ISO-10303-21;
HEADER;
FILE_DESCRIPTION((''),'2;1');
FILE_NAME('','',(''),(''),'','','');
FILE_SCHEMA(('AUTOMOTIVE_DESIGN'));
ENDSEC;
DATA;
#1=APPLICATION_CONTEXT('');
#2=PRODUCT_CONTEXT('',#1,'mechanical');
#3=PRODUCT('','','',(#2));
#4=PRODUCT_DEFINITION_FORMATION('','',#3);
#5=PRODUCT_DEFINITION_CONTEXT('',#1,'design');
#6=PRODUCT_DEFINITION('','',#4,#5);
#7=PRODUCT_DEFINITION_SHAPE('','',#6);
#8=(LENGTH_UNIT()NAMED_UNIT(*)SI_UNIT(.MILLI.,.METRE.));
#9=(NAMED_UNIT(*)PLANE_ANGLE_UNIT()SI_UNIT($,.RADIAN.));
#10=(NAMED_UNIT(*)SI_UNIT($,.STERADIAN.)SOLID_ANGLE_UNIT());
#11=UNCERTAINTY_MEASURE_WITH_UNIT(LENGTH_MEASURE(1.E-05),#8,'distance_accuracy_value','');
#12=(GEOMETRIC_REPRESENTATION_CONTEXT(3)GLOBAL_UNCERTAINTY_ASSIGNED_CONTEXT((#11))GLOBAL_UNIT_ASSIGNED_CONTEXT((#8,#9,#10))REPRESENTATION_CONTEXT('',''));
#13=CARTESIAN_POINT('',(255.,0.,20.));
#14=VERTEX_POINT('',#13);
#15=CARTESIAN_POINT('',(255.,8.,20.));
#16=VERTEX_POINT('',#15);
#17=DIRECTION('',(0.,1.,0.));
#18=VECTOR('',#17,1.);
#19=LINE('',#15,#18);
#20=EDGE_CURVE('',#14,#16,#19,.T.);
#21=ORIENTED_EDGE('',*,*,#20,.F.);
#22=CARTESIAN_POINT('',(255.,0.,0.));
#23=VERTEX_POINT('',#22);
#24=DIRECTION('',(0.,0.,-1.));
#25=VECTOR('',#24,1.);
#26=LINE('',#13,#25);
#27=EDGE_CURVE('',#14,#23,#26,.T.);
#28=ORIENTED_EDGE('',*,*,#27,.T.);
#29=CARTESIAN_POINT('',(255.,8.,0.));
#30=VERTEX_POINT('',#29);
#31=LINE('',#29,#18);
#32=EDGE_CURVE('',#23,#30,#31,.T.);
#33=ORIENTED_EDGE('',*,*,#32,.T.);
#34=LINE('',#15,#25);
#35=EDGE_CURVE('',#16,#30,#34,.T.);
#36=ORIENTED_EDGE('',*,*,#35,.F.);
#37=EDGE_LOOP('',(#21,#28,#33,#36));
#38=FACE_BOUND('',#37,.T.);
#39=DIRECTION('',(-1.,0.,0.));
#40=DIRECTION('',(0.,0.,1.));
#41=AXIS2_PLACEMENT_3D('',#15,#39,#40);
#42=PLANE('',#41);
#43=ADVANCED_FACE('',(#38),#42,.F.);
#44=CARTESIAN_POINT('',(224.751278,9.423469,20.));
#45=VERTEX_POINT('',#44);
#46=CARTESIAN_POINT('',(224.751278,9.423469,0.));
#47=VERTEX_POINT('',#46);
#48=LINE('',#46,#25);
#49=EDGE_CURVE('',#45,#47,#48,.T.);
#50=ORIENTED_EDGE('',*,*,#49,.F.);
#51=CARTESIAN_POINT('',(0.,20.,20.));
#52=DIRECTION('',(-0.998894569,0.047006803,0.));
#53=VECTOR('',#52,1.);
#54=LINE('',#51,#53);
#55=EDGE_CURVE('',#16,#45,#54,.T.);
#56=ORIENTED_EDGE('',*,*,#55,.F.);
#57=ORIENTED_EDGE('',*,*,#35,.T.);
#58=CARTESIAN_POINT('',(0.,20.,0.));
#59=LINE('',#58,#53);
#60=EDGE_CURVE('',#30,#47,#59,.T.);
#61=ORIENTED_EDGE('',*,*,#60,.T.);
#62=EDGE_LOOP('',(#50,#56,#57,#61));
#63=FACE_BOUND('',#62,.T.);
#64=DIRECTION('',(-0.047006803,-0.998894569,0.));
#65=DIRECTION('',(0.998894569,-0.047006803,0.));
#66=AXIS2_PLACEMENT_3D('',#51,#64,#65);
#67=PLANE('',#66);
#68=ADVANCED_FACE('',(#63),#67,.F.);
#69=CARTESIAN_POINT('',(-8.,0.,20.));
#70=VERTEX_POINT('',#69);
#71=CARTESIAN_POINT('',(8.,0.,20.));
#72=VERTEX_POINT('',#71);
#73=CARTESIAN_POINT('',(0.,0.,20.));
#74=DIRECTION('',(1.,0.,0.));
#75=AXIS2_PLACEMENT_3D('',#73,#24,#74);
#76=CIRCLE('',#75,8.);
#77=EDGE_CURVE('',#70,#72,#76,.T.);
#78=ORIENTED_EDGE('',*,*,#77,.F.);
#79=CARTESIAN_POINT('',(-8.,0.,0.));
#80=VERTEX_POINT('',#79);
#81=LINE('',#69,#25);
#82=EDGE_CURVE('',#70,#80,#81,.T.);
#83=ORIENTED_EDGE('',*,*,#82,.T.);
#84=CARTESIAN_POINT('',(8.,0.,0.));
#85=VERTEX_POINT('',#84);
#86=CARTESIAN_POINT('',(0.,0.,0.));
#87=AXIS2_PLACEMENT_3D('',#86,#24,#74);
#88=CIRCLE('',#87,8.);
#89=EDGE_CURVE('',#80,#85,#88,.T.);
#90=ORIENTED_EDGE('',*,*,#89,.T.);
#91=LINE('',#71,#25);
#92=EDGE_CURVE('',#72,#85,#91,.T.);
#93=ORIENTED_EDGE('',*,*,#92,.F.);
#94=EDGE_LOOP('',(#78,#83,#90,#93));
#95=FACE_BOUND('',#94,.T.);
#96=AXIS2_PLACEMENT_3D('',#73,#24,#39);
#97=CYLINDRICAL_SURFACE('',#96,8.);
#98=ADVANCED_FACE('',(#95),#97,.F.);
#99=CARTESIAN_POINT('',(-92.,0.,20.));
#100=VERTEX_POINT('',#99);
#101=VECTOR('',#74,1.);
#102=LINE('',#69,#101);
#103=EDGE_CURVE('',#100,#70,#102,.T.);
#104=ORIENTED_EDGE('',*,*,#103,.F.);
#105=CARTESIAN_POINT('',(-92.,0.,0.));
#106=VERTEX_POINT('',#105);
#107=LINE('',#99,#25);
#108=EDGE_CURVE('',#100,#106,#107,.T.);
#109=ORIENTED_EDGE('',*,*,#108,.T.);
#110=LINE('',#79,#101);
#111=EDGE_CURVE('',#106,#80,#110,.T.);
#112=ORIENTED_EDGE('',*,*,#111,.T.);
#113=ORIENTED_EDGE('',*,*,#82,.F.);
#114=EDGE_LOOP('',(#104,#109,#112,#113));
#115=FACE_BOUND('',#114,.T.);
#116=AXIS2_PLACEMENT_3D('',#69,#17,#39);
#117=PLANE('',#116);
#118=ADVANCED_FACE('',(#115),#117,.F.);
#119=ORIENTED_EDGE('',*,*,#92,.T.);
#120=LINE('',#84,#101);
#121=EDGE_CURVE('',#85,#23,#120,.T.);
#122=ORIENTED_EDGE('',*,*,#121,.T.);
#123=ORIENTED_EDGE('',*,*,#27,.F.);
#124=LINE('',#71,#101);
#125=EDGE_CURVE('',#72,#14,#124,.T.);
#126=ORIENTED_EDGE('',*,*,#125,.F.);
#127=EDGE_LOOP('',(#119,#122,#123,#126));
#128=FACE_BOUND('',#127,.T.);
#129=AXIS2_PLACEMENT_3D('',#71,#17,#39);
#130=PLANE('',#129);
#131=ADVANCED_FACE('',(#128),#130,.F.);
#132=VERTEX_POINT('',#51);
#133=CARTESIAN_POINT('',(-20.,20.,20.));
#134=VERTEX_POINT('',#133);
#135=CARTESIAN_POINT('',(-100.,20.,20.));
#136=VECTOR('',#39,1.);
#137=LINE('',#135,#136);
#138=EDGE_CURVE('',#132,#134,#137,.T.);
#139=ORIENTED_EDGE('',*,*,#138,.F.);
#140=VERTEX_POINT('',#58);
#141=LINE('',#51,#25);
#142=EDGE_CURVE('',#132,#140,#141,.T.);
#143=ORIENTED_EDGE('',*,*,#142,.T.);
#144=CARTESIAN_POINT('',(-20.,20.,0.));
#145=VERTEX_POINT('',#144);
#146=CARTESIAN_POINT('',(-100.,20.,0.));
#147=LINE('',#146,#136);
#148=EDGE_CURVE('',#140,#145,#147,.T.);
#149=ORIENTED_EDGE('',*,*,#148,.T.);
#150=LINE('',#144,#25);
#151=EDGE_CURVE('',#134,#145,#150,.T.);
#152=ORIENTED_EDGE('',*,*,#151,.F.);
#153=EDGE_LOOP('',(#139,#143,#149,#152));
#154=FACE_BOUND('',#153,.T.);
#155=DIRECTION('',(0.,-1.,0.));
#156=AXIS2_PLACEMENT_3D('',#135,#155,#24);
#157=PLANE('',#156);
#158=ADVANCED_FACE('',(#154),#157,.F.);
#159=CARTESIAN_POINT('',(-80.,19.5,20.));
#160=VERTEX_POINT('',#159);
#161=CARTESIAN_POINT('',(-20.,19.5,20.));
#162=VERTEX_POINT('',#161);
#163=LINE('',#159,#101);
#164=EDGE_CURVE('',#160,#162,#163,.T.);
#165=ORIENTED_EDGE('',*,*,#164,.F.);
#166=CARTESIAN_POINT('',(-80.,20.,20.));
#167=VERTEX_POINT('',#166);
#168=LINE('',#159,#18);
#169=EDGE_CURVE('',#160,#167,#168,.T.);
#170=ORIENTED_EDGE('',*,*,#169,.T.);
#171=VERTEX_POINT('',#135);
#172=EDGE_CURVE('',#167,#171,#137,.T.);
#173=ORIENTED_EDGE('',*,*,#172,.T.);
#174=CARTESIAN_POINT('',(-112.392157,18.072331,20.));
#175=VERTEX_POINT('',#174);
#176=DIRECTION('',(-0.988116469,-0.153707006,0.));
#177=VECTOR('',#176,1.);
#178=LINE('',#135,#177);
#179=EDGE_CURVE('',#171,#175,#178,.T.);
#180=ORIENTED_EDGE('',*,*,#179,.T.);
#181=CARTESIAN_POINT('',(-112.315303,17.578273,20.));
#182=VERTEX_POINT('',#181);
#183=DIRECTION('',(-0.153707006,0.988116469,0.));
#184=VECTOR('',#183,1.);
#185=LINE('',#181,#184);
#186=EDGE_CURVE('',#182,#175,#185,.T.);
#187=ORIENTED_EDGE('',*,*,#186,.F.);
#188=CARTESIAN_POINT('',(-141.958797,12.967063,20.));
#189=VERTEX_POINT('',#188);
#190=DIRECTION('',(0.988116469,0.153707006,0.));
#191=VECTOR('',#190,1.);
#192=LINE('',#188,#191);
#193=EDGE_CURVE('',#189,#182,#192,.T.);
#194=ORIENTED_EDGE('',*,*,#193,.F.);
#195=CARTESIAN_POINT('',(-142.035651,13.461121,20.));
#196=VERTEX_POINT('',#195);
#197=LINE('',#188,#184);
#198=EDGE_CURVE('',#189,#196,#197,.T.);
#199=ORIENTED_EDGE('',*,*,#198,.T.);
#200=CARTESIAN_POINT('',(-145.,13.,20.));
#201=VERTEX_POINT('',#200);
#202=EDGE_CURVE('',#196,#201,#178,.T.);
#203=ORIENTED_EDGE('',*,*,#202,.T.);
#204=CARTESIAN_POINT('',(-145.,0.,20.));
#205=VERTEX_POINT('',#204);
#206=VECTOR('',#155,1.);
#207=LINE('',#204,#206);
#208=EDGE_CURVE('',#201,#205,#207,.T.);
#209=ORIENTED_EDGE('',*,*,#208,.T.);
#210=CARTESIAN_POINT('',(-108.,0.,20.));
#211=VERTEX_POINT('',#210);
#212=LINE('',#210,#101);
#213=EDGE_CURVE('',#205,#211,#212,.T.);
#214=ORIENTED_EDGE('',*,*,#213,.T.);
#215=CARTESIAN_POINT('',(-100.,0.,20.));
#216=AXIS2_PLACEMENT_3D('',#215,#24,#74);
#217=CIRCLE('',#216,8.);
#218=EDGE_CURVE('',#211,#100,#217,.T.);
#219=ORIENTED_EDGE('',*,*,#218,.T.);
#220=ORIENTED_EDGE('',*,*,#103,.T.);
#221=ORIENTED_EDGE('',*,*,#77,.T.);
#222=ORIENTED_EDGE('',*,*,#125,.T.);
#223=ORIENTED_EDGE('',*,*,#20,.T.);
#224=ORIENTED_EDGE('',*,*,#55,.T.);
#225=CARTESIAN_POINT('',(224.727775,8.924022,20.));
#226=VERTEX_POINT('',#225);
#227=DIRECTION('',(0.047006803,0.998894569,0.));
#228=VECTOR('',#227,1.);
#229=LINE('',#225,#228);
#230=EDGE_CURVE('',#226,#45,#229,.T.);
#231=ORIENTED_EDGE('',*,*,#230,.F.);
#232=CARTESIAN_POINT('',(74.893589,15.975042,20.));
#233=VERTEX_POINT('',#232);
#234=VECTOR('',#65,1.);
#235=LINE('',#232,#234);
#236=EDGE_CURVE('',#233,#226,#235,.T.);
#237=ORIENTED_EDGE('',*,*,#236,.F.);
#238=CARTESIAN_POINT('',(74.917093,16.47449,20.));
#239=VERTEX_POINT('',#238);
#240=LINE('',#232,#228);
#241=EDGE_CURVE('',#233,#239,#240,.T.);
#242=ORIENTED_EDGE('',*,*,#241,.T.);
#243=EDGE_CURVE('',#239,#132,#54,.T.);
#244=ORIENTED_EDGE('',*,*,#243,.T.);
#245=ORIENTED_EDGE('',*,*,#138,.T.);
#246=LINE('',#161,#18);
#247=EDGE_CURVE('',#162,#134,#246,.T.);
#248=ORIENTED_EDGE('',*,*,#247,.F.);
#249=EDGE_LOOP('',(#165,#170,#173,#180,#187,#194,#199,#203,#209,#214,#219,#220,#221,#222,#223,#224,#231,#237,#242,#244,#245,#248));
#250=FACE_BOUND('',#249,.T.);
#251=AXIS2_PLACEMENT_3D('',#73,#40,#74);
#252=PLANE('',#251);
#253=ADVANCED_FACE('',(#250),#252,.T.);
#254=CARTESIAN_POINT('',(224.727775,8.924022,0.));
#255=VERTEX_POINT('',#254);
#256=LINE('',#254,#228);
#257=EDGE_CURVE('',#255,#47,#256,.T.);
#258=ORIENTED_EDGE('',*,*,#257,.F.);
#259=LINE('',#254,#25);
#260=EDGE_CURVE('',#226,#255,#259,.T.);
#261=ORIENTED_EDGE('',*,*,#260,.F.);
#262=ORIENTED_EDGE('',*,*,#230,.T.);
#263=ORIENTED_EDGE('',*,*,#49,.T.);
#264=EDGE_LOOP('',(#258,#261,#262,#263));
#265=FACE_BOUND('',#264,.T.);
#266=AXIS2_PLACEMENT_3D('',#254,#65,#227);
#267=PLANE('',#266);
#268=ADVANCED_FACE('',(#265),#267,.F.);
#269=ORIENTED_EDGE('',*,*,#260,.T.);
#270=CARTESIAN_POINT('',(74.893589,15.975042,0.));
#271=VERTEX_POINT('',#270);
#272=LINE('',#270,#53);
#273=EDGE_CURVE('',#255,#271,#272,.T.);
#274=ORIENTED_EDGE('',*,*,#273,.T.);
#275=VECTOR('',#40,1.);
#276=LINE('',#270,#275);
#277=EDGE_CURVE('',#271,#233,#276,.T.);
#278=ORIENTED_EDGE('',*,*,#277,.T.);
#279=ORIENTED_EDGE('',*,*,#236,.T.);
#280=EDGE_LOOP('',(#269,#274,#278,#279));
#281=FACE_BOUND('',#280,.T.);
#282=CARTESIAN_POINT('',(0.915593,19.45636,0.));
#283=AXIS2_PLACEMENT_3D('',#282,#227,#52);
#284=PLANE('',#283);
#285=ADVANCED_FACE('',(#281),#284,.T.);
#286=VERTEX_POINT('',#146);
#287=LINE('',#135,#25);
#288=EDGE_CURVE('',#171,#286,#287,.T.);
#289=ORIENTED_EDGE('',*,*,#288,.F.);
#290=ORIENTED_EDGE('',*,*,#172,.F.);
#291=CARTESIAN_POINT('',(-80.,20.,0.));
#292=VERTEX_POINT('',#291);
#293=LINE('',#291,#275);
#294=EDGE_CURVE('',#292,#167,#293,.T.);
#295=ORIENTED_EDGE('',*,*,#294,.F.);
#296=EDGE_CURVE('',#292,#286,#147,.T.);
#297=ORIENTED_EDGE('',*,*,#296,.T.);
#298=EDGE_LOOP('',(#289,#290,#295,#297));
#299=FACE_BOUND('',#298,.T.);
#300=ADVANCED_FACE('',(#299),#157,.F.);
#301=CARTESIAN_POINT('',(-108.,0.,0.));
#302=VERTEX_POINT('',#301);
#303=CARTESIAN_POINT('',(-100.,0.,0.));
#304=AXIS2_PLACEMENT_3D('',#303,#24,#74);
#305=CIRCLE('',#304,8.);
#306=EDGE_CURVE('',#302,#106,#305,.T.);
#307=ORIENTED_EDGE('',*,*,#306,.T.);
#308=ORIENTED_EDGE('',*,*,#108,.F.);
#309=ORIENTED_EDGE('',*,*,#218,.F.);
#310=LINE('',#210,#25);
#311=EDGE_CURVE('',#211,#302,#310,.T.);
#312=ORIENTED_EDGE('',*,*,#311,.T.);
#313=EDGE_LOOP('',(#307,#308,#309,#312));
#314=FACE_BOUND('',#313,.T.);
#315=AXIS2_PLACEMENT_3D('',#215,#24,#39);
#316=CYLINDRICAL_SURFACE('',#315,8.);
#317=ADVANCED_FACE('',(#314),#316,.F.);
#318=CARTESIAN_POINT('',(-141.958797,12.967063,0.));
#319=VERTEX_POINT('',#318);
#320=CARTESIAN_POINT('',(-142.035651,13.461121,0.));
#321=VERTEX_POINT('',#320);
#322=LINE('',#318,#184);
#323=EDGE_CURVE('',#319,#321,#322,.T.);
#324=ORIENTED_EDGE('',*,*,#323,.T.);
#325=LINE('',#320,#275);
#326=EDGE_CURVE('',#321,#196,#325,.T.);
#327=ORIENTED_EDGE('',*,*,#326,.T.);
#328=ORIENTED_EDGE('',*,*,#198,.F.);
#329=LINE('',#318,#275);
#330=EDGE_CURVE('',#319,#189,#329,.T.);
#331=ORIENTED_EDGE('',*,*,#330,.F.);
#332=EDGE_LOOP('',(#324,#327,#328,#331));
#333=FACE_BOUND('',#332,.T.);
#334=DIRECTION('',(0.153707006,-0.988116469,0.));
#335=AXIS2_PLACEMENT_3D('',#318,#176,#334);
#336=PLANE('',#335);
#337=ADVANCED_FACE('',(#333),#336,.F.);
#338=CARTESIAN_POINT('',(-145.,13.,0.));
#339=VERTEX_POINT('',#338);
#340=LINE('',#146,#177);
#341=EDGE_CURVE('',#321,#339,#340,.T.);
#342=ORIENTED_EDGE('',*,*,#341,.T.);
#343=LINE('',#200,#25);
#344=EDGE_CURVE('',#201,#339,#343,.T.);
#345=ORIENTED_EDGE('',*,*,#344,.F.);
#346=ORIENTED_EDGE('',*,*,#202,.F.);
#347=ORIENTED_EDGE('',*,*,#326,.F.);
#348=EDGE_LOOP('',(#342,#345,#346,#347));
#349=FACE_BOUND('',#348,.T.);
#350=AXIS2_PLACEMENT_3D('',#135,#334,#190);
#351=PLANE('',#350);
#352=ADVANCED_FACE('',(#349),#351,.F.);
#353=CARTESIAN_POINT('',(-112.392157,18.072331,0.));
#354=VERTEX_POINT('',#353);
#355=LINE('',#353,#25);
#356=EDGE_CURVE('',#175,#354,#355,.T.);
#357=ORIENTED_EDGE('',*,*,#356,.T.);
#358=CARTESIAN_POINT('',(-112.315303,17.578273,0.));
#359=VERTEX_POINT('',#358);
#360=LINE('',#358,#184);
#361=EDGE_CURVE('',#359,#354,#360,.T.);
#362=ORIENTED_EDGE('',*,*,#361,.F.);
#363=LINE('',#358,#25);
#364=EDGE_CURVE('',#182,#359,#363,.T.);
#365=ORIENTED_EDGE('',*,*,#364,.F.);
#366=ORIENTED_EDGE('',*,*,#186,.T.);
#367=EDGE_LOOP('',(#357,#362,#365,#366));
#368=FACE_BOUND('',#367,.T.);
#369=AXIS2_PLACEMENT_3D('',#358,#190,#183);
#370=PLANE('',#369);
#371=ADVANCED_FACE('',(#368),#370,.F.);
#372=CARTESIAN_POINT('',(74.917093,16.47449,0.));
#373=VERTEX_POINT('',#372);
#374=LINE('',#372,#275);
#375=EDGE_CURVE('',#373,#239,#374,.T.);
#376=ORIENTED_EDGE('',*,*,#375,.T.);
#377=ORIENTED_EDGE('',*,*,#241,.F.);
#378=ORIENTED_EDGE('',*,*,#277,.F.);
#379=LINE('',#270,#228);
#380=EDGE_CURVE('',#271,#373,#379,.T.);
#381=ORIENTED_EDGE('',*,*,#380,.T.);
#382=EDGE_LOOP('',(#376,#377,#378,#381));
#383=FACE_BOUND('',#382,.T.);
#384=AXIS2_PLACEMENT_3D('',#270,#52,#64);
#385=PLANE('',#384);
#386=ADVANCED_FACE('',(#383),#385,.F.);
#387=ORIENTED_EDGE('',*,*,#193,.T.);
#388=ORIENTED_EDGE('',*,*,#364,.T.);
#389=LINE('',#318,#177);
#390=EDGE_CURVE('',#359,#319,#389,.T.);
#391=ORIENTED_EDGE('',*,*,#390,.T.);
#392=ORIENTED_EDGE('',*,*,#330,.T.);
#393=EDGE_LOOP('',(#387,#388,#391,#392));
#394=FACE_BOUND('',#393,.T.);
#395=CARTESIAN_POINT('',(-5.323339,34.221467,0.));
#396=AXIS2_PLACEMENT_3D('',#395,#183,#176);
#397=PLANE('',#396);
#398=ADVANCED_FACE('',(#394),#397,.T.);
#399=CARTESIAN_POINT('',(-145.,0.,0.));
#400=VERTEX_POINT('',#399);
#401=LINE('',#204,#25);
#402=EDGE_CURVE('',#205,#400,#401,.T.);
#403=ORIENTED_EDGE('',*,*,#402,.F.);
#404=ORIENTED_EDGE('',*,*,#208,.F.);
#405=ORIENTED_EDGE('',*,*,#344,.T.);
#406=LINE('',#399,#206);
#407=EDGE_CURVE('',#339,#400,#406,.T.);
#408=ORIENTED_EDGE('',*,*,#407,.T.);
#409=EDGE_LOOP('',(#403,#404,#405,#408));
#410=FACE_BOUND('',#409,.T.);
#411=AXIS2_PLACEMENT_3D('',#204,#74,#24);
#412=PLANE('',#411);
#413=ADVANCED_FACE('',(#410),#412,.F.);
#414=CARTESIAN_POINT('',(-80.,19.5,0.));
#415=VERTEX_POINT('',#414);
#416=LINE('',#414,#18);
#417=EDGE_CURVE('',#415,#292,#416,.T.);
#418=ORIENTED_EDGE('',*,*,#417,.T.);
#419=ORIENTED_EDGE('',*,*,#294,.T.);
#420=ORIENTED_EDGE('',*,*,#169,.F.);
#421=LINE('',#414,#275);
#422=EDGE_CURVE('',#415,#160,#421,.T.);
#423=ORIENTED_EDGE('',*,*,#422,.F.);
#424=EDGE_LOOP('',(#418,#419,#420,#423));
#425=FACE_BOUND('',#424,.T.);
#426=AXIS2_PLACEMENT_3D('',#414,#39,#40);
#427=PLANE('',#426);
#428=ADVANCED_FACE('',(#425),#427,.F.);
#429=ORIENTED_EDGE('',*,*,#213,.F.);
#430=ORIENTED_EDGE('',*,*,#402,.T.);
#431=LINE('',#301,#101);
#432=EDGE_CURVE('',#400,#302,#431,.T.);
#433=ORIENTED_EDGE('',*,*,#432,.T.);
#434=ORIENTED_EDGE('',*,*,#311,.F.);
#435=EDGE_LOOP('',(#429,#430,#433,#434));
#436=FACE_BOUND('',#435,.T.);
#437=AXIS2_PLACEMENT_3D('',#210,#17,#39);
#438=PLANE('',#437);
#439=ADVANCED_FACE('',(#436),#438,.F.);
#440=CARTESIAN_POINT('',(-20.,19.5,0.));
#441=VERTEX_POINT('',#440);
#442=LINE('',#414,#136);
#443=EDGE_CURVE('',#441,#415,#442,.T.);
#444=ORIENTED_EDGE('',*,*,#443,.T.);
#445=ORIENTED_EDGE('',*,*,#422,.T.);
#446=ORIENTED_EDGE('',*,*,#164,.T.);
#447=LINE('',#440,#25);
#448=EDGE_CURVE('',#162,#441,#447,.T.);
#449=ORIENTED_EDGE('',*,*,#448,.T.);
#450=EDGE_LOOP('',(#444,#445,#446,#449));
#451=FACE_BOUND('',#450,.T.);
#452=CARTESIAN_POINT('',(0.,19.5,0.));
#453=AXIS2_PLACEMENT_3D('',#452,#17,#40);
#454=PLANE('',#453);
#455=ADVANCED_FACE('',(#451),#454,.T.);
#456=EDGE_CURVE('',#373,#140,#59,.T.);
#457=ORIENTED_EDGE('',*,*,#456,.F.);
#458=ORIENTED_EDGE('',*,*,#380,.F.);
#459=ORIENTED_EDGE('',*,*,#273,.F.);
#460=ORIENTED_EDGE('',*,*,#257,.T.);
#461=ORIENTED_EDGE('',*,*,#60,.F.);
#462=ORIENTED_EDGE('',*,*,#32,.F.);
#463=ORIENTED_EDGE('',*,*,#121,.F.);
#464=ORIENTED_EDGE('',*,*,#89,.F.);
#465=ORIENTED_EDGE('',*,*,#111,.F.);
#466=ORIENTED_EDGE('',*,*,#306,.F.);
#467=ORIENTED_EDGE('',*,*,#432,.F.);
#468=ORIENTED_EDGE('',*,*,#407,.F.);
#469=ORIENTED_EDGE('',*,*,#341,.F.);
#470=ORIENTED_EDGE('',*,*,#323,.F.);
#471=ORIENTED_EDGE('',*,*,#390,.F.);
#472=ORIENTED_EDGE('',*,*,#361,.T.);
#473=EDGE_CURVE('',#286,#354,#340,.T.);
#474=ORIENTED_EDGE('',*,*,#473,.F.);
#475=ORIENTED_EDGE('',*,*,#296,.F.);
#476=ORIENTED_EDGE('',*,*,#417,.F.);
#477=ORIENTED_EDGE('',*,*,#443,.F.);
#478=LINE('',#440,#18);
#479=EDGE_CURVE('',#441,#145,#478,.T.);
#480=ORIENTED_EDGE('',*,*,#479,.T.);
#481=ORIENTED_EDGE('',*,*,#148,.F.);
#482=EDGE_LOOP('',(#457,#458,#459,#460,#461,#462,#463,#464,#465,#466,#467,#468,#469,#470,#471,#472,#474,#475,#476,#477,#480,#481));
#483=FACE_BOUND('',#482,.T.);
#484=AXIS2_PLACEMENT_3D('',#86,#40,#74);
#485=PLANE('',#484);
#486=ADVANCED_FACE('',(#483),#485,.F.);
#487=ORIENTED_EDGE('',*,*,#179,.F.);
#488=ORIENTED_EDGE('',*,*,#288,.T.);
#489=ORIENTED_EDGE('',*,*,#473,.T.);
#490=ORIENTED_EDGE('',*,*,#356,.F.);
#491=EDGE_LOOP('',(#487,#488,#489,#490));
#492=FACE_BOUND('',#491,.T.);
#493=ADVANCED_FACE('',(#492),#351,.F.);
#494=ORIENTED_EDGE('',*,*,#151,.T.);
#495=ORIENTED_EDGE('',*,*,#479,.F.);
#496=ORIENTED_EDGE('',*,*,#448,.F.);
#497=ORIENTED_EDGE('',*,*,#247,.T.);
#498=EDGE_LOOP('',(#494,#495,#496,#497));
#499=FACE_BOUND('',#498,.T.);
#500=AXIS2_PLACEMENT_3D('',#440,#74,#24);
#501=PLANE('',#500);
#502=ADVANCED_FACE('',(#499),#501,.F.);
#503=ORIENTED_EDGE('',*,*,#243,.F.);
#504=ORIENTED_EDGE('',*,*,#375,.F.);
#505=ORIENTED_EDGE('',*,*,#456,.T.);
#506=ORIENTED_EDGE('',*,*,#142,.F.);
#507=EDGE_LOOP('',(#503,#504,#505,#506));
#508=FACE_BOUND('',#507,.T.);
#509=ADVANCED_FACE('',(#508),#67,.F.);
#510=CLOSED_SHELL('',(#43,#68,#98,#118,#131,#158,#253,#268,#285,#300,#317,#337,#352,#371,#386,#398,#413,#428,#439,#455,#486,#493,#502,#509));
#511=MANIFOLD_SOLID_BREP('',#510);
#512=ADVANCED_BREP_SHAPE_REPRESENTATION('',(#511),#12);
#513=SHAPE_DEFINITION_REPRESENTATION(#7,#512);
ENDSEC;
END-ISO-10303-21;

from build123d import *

# Parameters (mm, degrees)
BOSS_EXTRUDE1_DEPTH = 20
SKETCH2_W           = 150
SKETCH2_H           = 20
ROPEGROOVE1_DEPTH   = 0.5
SKETCH4_W           = 60
SKETCH4_H           = 20
ROPEGROOVE2_DEPTH   = 0.5
SKETCH5_W           = 30
SKETCH5_H           = 20
ROPEGROOVE3_DEPTH   = 0.5


with BuildPart() as part:
    # Sketch1 → Boss-Extrude1 (new body)
    with BuildSketch(Plane.XY):
        with BuildLine():
            Line((-8, 0), (-92, 0))
            ThreePointArc((-92, 0), (-100, 8), (-108, 0))
            Line((-108, 0), (-145, 0))
            Line((-145, 0), (-145, 13))
            Line((-145, 13), (-100, 20))
            Line((-100, 20), (0, 20))
            Line((0, 20), (255, 8))
            Line((255, 8), (255, 0))
            Line((255, 0), (8, 0))
            ThreePointArc((8, 0), (0, 8), (-8, 0))
        make_face()
    extrude(amount=BOSS_EXTRUDE1_DEPTH)

    # Sketch2 → RopeGroove1 (cut)
    with BuildSketch(Plane(origin=(0.93909681, 19.955807209, 0), x_dir=(0.9988945692351382, -0.047006803258124105, 0), z_dir=(0.047006803258124105, 0.9988945692351382, 0))):
        with Locations((149.059863935, -10)):
            Rectangle(SKETCH2_W, SKETCH2_H)
    extrude(amount=-ROPEGROOVE1_DEPTH, mode=Mode.SUBTRACT)

    # Sketch4 → RopeGroove2 (cut)
    with BuildSketch(Plane(origin=(0, 20, 0), x_dir=(1, 0, 0), z_dir=(0, 1, 0))):
        with Locations((-50, -10)):
            Rectangle(SKETCH4_W, SKETCH4_H)
    extrude(amount=-ROPEGROOVE2_DEPTH, mode=Mode.SUBTRACT)

    # Sketch5 → RopeGroove3 (cut)
    with BuildSketch(Plane(origin=(-5.400192864, 34.715525554, 0), x_dir=(0.9881164689548824, 0.15370700628187053, 0), z_dir=(-0.15370700628187053, 0.9881164689548824, 0))):
        with Locations((-123.278696917, -10)):
            Rectangle(SKETCH5_W, SKETCH5_H)
    extrude(amount=-ROPEGROOVE3_DEPTH, mode=Mode.SUBTRACT)


solid = part.part
